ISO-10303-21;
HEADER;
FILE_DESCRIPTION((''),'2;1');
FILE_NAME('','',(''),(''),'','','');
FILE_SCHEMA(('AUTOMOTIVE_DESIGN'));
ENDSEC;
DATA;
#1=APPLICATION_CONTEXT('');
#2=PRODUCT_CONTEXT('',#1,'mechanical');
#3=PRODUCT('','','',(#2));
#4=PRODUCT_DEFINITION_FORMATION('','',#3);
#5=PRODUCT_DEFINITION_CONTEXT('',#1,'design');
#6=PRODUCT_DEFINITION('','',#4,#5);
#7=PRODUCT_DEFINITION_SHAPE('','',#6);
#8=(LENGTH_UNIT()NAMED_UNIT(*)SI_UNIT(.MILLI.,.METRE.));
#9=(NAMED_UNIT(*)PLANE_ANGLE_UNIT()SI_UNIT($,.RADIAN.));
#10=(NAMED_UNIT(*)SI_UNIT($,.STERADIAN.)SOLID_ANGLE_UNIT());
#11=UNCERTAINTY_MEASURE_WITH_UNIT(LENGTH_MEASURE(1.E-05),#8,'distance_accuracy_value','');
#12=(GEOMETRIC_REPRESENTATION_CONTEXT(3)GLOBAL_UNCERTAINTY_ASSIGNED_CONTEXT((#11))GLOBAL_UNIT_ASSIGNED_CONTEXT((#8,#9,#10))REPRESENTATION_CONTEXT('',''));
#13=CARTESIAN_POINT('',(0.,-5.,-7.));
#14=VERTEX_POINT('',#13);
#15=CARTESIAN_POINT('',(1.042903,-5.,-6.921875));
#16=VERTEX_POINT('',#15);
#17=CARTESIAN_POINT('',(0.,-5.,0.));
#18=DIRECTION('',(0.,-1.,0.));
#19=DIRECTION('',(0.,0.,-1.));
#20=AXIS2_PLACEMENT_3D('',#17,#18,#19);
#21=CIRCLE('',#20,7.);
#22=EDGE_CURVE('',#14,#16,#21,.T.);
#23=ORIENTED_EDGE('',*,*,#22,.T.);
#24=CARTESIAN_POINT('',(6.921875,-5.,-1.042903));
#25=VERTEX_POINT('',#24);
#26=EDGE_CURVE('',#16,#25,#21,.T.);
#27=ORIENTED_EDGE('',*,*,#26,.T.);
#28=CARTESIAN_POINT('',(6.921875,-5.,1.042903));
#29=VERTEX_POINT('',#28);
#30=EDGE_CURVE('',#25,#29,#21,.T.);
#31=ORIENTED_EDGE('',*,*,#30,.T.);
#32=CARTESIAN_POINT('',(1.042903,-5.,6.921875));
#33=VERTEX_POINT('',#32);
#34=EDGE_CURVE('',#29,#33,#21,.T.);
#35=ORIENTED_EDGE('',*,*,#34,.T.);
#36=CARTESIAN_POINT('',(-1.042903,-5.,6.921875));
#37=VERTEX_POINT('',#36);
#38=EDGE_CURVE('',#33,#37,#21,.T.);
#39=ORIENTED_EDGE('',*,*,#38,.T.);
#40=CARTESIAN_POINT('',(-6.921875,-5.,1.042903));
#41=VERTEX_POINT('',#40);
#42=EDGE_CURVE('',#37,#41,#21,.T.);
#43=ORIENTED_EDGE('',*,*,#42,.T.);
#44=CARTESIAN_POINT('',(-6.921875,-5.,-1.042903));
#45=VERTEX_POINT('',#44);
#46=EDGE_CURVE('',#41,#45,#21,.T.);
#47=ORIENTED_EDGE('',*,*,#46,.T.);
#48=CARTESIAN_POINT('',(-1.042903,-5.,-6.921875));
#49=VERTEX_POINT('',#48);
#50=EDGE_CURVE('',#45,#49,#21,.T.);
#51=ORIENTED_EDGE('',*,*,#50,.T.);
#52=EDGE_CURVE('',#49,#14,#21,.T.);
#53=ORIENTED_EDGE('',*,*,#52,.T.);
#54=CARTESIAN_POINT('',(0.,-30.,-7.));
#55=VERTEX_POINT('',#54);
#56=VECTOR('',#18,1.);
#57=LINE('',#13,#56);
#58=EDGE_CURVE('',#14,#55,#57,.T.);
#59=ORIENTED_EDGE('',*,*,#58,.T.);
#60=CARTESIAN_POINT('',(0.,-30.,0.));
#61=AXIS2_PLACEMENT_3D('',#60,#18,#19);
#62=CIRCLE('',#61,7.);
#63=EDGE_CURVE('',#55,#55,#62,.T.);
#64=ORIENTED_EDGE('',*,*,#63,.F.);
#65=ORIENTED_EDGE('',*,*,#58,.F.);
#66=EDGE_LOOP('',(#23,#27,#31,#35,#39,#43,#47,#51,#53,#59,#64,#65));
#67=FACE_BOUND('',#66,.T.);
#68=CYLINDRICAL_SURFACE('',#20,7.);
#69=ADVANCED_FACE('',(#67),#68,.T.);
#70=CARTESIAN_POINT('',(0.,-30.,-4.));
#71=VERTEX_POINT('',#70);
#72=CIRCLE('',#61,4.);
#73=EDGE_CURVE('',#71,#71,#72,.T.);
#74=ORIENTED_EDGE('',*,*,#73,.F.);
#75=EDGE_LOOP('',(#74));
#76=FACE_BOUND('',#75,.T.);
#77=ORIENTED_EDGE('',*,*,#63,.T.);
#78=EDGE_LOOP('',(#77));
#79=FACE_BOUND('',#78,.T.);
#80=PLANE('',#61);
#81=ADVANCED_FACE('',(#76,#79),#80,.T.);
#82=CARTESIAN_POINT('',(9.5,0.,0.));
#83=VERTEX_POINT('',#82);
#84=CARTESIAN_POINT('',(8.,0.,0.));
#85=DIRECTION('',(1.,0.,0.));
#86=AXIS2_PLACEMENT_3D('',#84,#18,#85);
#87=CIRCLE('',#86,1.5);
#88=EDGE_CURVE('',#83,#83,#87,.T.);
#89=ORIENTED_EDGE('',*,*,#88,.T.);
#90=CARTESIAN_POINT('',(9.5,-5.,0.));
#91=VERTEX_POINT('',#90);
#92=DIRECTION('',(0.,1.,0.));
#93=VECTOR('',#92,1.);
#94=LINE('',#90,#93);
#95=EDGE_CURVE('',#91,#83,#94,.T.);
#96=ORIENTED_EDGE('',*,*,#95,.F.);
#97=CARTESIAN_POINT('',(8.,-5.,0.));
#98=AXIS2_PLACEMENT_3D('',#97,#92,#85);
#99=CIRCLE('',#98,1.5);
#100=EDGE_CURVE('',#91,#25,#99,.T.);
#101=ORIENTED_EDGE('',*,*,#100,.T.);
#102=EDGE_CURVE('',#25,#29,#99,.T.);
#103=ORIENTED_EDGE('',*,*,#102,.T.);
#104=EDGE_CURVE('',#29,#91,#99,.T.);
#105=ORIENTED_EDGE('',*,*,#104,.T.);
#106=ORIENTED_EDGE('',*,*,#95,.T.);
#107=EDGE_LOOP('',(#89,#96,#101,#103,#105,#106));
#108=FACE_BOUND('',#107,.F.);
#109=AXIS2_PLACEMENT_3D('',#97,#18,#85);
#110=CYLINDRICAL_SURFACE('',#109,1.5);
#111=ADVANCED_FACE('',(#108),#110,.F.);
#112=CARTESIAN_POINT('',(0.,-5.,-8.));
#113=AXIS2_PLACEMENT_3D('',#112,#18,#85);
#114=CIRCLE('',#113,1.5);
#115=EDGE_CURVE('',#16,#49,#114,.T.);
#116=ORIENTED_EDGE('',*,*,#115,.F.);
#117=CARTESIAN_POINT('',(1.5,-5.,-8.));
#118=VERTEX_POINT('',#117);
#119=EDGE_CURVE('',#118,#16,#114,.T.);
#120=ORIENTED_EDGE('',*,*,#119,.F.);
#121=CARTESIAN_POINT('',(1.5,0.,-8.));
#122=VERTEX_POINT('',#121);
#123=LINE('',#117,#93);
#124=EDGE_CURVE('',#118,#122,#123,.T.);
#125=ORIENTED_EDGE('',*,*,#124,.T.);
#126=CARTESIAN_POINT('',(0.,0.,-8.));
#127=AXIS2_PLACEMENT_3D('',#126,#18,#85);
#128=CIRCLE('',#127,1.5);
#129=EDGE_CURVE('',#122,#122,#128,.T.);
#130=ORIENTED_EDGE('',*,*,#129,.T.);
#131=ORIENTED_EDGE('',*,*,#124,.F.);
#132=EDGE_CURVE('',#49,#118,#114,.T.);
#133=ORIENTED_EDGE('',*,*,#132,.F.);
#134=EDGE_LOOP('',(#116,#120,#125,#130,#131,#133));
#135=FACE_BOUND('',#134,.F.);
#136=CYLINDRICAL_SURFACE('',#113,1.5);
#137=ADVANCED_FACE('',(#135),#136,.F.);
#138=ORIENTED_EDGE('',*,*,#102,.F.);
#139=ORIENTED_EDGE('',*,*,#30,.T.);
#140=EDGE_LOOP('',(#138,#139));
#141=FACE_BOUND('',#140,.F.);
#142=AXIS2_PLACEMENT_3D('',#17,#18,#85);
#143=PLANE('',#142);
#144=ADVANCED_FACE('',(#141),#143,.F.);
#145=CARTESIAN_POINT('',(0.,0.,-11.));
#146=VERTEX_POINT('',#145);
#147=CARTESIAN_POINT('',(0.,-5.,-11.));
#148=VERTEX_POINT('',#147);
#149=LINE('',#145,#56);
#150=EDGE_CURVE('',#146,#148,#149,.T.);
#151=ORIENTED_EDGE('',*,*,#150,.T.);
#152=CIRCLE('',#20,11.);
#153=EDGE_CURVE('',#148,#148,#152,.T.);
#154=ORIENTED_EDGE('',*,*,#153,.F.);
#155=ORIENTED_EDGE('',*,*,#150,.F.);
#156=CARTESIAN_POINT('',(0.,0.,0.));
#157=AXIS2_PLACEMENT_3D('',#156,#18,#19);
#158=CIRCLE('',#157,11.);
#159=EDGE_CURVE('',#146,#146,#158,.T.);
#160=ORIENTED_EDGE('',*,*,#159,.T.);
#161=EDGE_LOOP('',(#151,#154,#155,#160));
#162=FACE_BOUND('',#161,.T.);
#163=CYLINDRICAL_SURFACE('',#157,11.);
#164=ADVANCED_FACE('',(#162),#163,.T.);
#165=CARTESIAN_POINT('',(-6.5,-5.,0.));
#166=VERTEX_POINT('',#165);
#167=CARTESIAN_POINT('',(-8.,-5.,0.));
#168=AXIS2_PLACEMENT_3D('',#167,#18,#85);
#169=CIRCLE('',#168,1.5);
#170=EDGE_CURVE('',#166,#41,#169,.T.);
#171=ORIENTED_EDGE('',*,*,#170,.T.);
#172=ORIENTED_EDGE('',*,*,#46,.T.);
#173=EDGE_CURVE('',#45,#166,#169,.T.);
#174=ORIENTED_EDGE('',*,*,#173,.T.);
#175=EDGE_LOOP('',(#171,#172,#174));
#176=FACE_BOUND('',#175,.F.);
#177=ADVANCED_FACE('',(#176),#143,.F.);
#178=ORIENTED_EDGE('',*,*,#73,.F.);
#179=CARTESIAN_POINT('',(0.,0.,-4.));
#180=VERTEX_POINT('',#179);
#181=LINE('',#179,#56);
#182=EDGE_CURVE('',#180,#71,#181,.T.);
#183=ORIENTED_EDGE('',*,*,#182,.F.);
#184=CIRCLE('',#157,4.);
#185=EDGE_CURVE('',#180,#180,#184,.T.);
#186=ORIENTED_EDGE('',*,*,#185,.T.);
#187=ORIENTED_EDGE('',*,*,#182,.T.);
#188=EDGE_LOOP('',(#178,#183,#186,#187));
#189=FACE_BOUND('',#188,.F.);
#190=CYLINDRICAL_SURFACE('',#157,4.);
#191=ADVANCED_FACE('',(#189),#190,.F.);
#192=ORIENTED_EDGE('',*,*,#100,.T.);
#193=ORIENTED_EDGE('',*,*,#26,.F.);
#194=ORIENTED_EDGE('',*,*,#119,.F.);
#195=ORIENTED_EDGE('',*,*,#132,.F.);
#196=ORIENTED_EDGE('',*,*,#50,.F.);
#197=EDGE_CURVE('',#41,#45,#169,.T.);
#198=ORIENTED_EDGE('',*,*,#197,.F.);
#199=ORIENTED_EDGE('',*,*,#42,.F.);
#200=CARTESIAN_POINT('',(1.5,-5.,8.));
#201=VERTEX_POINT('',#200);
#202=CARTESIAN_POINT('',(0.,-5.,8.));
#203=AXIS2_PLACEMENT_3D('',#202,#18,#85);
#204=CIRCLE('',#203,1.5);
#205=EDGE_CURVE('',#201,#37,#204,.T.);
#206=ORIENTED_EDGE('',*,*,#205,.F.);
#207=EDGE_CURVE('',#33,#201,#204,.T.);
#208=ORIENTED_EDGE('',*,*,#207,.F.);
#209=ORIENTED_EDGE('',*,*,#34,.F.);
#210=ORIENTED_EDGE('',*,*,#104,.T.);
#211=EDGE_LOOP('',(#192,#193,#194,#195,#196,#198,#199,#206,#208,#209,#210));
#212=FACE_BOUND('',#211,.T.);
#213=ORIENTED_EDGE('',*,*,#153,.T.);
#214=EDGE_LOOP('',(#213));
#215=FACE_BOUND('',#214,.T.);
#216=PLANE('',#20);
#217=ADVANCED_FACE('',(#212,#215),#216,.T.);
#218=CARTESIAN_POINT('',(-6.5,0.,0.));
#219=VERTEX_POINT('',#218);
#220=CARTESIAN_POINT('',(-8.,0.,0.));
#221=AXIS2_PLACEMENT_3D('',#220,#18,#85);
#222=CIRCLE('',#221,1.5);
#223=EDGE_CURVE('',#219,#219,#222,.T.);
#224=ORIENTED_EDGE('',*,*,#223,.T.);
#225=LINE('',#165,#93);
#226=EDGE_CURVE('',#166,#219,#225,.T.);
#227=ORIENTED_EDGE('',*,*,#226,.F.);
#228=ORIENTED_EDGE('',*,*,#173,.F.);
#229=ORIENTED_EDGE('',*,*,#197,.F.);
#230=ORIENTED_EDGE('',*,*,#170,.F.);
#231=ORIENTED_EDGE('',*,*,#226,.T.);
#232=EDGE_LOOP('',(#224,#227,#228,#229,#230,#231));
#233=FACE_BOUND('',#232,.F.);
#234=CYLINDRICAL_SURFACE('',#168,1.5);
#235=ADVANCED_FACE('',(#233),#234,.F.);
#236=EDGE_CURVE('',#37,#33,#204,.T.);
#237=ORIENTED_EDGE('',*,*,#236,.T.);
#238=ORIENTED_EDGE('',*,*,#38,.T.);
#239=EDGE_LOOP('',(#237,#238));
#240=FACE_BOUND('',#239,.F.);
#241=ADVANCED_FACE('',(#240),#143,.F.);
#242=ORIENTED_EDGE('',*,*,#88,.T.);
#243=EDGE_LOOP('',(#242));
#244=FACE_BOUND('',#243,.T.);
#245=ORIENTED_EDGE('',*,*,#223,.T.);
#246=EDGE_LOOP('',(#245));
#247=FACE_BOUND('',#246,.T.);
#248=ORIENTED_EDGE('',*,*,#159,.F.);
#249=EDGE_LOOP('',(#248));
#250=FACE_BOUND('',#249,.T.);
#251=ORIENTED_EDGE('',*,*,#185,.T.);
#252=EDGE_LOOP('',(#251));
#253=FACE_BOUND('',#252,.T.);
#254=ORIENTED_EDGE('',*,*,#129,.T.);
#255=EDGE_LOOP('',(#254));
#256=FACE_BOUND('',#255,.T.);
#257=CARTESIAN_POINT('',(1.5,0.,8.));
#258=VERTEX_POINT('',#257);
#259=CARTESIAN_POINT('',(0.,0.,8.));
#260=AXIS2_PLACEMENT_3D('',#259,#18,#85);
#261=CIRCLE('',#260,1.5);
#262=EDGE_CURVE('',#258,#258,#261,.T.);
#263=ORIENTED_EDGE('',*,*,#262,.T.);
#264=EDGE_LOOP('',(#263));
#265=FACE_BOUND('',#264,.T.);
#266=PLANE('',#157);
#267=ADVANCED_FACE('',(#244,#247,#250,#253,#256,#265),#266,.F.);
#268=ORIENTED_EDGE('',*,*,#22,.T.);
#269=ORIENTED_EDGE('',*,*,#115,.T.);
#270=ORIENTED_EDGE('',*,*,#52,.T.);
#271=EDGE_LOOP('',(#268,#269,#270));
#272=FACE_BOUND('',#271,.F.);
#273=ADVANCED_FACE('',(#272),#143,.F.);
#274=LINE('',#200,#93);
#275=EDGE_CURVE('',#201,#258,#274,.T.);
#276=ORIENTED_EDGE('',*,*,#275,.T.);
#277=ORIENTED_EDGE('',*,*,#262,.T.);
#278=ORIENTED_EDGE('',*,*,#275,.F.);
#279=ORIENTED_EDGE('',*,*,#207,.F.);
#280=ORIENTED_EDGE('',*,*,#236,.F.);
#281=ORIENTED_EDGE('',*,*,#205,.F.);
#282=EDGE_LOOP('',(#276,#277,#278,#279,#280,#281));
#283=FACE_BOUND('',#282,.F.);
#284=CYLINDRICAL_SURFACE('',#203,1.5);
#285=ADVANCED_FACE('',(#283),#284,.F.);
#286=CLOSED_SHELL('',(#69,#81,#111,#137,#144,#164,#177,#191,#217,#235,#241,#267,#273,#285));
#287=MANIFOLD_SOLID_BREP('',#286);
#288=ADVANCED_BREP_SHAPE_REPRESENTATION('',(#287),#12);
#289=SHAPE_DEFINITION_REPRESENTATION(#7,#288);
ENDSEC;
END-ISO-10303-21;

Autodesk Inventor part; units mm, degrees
ref_plane "YZ Plane" through (0, 0, 0) normal (1, 0, 0) x (0, 1, 0)
ref_plane "XZ Plane" through (0, 0, 0) normal (0, 1, 0) x (-1, 0, 0)
sketch "Sketch1" plane through (0, 0, 0) normal (1, 0, 0) x (0, 1, 0)
  line L0 (0, 0) -> (-84.9068, 0)
  line L1 (0, -4) -> (-84.9068, -4)
  line L2 (0, -4) -> (0, -11)
  line L3 (0, -11) -> (-5, -11)
  line L4 (-5, -11) -> (-5, -7)
  line L5 (-5, -7) -> (-30, -7)
  line L6 (-30, -7) -> (-30, -4)
  dimension "d1" = 4
  dimension "d2" = 11
  dimension "d3" = 5
  dimension "d4" = 4
  dimension "d5" = 25
revolve "Revolution1" add sketch "Sketch1" angle 360 about axis through (0, 0, 0) along (0, -1, 0)
sketch "Sketch2" plane through (0, -5, 0) normal (0, -1, 0) x (1, 0, 0)
  line L0 (0, 0) -> (8, 0)
  circle A0 centre (8, 0) radius 1.5
  circle A1 centre (0, 8) radius 1.5
  circle A2 centre (-8, 0) radius 1.5
  circle A3 centre (0, -8) radius 1.5
  dimension "d7" = 8
  dimension "d8" = 3
  dimension "d11" = 360
extrude "Extrusion1" cut sketch "Sketch2" against normal blind 25.4
ref_plane "Work Plane1" through (-8, -5, 0) normal (0, 0, -1) x (0, 1, 0)
properties part number "standinNut"
